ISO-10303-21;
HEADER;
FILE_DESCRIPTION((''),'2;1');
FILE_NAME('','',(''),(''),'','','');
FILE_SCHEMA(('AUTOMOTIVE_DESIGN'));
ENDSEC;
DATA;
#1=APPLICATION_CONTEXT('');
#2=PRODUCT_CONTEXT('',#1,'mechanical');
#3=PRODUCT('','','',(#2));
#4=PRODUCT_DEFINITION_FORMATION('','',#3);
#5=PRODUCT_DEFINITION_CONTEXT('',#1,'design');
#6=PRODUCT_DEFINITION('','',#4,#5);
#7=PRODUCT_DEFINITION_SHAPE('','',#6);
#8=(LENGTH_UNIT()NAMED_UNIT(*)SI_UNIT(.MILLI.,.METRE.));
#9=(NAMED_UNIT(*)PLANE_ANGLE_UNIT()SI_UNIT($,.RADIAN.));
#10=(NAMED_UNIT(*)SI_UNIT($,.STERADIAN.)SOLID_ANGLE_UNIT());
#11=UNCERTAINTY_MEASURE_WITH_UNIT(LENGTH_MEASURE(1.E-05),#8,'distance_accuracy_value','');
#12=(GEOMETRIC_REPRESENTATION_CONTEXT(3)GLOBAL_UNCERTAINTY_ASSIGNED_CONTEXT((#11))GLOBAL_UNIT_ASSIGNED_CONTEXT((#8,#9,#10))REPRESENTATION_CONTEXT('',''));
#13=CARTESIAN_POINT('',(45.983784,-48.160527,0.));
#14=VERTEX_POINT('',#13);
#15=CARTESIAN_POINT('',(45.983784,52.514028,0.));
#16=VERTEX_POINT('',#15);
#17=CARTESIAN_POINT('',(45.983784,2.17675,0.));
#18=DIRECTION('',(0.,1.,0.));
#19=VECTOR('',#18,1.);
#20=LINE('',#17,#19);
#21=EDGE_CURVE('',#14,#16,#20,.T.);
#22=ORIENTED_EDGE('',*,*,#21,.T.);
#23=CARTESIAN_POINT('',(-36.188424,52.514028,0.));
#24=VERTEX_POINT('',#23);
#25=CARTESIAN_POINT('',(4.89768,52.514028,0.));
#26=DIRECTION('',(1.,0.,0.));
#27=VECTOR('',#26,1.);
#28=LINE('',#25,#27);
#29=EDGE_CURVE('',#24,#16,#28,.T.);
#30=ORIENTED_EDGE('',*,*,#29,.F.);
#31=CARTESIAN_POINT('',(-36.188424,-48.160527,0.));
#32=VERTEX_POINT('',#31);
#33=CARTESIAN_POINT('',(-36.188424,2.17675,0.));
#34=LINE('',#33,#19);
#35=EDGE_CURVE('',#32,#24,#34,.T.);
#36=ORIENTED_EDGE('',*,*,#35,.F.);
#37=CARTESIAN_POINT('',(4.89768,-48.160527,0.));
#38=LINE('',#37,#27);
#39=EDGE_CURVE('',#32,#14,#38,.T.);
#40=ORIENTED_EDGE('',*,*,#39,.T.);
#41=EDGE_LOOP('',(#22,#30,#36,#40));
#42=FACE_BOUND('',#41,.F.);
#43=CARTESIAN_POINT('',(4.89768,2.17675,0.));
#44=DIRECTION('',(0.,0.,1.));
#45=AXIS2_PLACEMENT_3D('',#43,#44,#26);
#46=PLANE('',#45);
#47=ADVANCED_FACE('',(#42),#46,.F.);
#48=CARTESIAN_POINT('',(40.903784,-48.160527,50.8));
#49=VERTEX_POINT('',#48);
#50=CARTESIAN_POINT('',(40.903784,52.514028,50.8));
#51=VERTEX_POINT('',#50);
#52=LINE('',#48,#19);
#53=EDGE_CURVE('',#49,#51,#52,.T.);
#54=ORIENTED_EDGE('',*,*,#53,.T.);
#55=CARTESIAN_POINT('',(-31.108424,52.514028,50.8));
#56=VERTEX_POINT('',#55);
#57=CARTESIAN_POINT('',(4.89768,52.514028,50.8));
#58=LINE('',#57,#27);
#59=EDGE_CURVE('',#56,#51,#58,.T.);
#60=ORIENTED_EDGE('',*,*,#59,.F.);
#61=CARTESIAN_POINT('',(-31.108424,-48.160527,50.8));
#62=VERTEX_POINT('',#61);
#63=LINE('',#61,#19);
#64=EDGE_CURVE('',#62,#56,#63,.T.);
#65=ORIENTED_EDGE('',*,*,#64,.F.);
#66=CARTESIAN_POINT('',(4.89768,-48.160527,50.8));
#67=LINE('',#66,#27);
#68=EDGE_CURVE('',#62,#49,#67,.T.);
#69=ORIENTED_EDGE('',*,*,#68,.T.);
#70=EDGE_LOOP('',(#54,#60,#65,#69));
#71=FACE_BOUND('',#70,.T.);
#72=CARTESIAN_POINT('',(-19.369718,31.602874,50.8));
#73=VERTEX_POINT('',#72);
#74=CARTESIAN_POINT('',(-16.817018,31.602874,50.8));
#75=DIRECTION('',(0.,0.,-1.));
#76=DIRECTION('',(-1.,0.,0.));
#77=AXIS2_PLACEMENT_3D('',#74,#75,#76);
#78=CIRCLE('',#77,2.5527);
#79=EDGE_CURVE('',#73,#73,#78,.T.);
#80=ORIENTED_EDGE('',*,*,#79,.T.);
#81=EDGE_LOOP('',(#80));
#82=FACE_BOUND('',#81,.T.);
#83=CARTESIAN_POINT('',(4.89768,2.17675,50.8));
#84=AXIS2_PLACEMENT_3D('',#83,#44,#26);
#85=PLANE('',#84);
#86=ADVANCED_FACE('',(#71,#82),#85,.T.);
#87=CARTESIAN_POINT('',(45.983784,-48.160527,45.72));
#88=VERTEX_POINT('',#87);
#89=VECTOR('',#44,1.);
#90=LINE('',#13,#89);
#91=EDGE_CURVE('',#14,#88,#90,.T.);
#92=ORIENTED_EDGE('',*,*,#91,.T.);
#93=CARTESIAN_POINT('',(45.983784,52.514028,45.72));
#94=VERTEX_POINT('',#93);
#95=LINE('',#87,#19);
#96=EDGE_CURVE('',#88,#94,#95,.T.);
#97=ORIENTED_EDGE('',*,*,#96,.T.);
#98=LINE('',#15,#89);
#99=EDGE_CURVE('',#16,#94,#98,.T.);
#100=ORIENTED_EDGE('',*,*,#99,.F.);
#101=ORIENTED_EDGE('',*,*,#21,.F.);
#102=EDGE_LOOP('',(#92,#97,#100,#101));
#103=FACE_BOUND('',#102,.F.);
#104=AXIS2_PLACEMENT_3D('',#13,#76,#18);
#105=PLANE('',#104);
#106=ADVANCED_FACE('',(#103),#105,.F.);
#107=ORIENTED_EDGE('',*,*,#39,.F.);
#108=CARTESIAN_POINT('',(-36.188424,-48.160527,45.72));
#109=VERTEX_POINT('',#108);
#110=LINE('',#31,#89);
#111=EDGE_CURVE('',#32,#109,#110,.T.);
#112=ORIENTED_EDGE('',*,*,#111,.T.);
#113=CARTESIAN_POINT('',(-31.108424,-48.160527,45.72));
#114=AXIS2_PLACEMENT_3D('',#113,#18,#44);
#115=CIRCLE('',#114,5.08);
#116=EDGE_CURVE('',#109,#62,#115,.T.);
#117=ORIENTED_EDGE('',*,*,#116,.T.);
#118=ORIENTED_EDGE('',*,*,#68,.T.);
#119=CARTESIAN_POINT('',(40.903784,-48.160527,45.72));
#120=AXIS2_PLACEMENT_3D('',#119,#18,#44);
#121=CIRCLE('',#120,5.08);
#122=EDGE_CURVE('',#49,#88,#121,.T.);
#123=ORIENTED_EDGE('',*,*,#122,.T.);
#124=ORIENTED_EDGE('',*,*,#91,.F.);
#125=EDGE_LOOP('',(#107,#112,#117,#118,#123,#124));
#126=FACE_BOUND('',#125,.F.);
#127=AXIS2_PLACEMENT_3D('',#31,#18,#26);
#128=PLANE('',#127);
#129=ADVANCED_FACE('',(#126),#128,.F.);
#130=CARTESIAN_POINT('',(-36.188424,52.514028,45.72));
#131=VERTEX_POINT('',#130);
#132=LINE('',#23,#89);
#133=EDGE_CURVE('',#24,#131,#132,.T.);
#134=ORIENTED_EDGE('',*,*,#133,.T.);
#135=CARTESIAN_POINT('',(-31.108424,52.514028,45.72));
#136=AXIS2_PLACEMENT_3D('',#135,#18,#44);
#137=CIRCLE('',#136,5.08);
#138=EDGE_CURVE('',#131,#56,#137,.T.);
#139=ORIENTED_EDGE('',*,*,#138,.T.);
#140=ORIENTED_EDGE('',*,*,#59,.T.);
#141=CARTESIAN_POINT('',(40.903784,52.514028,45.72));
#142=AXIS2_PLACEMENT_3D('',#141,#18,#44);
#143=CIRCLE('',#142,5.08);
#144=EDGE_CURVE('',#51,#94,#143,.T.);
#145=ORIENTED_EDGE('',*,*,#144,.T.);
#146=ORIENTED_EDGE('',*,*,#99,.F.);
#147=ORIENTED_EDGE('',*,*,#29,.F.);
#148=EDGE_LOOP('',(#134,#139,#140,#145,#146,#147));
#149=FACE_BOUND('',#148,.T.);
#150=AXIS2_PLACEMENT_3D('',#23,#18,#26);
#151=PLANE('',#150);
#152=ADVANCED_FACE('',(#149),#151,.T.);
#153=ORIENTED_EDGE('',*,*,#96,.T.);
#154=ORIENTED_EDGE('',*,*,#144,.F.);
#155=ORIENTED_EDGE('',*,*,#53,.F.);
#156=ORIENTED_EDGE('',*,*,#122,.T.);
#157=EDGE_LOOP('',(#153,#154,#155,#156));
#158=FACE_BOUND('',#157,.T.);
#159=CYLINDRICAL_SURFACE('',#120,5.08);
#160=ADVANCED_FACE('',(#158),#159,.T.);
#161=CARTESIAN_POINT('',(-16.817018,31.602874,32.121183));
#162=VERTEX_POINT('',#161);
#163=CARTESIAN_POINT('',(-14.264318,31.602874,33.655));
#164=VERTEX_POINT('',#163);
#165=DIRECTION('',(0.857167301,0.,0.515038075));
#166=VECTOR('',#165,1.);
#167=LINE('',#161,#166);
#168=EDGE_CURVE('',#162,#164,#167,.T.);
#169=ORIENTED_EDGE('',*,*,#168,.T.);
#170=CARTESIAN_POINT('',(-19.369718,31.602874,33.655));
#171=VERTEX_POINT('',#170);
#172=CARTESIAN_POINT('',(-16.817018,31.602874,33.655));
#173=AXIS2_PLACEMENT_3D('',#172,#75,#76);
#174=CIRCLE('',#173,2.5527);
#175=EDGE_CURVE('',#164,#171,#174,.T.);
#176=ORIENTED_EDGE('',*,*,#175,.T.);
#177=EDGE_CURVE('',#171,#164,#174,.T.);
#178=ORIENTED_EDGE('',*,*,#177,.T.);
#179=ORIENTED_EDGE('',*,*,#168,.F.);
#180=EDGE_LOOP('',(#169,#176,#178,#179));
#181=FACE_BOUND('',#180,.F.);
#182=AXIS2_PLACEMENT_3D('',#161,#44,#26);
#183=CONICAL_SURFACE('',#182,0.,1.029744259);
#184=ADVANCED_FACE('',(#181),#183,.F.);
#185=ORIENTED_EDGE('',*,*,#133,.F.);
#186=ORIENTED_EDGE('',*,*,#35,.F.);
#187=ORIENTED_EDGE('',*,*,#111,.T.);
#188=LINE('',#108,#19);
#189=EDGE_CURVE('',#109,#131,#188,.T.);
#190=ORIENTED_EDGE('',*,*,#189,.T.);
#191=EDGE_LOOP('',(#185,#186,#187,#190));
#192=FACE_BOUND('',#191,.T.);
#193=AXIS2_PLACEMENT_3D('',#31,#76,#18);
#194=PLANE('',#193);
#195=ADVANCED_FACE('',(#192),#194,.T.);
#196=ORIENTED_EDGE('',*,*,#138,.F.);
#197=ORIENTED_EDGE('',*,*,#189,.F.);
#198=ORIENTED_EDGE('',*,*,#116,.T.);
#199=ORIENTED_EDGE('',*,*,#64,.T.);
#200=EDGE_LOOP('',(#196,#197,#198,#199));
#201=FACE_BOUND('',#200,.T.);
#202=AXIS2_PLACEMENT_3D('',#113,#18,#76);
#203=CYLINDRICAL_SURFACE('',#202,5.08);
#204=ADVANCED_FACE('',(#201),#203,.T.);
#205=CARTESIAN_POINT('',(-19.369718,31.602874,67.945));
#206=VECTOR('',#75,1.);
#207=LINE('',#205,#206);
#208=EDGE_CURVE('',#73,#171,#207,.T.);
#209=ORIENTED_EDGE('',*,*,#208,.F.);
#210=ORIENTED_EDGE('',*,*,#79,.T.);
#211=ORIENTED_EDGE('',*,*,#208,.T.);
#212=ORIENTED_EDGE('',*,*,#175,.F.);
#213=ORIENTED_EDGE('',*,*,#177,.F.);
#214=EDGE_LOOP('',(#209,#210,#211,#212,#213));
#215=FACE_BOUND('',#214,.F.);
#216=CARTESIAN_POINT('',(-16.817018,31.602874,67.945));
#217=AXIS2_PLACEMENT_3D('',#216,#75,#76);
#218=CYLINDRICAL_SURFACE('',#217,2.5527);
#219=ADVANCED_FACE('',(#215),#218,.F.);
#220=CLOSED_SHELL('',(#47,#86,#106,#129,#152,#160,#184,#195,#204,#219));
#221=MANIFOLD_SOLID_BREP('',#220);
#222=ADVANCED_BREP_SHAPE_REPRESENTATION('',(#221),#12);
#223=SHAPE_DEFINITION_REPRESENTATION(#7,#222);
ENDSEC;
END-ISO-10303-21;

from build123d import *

# Parameters (mm, degrees)
F0_W     = 82.1722075343
F0_H     = 100.6745547056
F1_DEPTH = 50.8
F3_D     = 5.1054
F3_DEPTH = 17.145
F3_TIP   = 1.5338169022
F4_R     = 5.08


with BuildPart() as f1:
    # F0 (on Top) → F1 (new body)
    with BuildSketch(Plane.XY):
        with Locations((4.8976801336, 2.1767504513)):
            Rectangle(F0_W, F0_H)
    extrude(amount=F1_DEPTH)

    # F3
    with Locations(Plane.XY.offset(50.8)):
        with Locations((-16.8170183897, 31.6028743982)):
            Hole(F3_D / 2, depth=F3_DEPTH)
            with Locations((0, 0, -(F3_DEPTH + F3_TIP / 2))):  # 118° drill point
                Cone(0, F3_D / 2, F3_TIP, mode=Mode.SUBTRACT)

    # F4
    f4_edges = [f1.edges().sort_by_distance(p)[0] for p in [
        (45.983784, 2.17675, 50.8),
        (-36.188424, 2.17675, 50.8),
    ]]
    fillet(f4_edges, radius=F4_R)


solid = f1.part
